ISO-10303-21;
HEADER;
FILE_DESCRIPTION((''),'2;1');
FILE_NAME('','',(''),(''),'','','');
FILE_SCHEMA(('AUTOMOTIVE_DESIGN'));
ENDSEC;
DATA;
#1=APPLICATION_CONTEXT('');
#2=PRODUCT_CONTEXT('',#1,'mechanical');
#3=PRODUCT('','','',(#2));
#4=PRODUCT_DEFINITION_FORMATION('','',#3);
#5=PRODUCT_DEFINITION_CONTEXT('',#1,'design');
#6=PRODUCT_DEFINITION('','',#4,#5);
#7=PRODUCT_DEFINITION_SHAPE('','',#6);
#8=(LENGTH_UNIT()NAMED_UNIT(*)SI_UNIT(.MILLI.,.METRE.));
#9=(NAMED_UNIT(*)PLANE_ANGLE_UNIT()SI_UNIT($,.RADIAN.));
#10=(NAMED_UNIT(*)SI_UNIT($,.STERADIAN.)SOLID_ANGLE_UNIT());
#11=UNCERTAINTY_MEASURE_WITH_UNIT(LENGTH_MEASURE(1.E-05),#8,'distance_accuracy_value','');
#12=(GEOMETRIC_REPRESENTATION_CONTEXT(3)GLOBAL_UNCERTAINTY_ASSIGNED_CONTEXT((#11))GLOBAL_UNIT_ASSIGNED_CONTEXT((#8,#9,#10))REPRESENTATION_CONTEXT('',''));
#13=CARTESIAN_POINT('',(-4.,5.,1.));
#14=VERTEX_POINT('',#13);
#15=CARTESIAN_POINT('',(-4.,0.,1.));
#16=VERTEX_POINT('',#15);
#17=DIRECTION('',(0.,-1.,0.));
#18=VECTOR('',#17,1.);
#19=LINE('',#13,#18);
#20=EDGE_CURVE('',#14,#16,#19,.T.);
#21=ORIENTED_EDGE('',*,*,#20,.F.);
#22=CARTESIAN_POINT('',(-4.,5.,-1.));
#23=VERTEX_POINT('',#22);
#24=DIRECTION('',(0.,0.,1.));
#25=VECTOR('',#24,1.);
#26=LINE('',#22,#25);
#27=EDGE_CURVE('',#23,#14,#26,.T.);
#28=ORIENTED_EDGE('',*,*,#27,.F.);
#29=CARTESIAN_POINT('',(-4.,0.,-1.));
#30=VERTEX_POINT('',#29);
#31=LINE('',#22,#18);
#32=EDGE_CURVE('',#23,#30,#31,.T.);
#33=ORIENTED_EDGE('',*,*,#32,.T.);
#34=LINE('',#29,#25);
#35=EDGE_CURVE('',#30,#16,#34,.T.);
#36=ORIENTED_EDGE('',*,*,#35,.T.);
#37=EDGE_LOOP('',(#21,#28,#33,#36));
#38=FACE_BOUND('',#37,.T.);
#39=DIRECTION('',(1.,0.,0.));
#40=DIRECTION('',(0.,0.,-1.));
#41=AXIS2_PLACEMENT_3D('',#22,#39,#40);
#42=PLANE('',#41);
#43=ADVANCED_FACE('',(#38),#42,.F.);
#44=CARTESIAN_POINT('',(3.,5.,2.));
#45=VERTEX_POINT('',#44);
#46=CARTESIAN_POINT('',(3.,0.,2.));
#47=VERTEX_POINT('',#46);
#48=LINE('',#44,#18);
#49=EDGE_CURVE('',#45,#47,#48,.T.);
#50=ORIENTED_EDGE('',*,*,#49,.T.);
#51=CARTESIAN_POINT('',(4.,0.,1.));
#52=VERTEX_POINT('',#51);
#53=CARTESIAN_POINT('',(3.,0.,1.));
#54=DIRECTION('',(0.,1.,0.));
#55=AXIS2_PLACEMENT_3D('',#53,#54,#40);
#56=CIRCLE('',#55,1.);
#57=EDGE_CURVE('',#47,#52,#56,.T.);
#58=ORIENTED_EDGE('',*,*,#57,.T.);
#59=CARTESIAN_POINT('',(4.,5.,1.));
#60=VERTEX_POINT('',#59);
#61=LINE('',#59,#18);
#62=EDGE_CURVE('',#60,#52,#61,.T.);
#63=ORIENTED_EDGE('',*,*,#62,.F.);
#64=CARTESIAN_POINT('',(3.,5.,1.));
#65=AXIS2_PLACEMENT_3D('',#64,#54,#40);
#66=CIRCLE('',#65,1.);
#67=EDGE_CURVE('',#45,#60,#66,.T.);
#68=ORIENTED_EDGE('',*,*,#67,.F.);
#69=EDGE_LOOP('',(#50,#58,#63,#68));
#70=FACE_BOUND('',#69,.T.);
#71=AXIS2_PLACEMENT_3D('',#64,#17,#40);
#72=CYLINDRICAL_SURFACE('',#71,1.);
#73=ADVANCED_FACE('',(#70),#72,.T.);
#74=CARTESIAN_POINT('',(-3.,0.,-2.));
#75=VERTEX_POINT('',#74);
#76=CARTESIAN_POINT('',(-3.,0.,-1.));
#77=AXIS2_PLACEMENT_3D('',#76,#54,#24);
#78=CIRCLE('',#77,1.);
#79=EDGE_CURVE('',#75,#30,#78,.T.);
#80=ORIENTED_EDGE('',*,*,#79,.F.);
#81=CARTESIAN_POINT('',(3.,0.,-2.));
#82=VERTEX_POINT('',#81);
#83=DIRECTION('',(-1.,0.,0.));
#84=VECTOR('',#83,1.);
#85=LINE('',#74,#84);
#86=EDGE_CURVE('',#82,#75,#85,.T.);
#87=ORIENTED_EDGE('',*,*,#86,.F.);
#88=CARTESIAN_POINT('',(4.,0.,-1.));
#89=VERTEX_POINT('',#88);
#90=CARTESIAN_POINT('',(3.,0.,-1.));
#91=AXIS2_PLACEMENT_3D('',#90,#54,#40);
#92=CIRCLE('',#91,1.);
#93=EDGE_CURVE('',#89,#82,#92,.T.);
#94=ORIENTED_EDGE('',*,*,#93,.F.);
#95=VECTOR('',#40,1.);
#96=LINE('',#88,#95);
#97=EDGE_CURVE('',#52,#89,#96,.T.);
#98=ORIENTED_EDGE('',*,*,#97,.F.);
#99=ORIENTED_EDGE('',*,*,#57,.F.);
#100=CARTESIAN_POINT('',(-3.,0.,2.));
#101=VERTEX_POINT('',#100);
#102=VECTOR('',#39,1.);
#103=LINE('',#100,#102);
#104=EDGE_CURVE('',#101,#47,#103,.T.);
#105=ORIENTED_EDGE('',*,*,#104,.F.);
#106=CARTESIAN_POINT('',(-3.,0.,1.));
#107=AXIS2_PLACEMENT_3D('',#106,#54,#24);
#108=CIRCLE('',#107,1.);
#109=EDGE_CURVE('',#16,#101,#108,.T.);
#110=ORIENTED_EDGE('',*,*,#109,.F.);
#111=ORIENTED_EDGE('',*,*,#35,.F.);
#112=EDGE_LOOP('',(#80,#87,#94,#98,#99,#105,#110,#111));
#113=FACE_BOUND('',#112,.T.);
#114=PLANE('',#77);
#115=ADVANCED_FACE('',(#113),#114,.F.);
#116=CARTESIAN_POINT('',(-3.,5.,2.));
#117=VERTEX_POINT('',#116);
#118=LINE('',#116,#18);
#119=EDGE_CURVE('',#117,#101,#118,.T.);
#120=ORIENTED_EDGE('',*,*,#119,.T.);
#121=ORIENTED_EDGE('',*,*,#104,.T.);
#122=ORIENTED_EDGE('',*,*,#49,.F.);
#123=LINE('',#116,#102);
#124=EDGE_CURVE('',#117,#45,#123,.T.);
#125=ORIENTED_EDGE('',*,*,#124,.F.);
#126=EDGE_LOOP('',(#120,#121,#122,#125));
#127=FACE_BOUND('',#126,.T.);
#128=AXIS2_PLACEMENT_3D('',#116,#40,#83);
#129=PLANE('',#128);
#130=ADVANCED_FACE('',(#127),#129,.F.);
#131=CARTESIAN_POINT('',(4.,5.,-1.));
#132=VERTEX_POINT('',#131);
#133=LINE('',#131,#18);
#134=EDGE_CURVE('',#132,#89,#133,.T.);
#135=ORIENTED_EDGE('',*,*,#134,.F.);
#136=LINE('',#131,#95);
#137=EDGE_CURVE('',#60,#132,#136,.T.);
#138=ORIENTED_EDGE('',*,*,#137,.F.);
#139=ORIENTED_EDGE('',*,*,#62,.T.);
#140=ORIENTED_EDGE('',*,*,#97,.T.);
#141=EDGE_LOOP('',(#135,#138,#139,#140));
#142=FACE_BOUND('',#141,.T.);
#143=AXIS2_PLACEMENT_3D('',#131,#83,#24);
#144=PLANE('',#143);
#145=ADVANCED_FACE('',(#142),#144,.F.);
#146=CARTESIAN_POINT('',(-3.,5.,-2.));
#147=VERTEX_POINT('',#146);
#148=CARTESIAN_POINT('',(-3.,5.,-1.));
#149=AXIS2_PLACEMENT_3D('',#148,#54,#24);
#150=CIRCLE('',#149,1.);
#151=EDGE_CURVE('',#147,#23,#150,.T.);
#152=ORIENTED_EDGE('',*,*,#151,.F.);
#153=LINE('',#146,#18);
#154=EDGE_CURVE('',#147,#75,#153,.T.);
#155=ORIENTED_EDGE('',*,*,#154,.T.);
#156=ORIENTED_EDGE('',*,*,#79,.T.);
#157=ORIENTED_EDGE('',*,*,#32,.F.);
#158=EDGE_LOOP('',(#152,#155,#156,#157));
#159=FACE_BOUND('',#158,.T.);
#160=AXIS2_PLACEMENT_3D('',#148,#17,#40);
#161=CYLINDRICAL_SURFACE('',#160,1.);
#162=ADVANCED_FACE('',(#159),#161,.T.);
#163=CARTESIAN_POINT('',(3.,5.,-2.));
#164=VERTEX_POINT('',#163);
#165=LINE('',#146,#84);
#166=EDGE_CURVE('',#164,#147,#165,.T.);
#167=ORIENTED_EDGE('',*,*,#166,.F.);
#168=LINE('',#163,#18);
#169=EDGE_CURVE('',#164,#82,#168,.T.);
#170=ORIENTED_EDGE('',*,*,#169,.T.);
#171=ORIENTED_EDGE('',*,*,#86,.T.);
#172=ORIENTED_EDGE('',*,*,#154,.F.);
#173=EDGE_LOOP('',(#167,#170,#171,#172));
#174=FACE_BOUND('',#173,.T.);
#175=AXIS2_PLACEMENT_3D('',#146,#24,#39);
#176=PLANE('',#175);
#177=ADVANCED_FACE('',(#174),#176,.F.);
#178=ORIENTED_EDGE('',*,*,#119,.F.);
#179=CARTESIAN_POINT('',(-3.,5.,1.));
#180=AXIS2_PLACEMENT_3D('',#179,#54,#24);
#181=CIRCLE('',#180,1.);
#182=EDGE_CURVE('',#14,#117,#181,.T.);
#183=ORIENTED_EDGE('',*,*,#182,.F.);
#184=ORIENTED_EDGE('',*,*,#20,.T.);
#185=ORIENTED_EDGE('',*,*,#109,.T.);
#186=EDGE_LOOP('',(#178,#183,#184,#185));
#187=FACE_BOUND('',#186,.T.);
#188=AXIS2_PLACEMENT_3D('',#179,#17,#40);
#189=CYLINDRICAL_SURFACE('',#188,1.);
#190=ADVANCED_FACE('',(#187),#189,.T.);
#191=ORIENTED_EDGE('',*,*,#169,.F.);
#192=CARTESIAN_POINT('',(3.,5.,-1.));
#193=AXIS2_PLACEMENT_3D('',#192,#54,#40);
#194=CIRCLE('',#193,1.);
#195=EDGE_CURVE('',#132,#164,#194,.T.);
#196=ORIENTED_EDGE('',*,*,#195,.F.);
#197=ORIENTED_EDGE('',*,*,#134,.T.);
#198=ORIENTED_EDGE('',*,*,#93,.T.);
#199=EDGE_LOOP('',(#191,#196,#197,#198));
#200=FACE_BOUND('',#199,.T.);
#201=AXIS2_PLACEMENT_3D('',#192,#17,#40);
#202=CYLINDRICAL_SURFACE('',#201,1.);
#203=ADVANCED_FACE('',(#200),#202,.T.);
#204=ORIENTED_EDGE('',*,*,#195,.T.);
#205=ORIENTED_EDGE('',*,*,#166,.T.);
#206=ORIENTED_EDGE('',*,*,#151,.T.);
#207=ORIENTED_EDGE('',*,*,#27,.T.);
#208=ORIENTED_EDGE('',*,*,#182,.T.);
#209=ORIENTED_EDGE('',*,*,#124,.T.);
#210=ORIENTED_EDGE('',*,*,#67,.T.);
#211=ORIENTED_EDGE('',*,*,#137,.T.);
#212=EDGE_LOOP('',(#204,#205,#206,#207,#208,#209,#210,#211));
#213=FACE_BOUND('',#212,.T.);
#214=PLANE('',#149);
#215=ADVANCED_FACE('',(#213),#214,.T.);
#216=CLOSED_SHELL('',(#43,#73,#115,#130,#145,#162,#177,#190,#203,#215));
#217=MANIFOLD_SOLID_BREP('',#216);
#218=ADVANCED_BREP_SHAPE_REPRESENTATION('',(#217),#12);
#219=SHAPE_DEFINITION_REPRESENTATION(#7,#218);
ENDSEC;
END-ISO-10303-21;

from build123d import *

# Parameters (mm, degrees)
BOSS_EXTRUDE1_DEPTH = 5


with BuildPart() as part:
    # Sketch1 → Boss-Extrude1 (new body)
    with BuildSketch(Plane(origin=(0, 0, 0), x_dir=(1, 0, 0), z_dir=(0, 1, 0))):
        with BuildLine():
            Line((-3, 2), (3, 2))
            ThreePointArc((3, 2), (3.707106781, 1.707106781), (4, 1))
            Line((4, 1), (4, -1))
            ThreePointArc((4, -1), (3.707106781, -1.707106781), (3, -2))
            Line((3, -2), (-3, -2))
            ThreePointArc((-3, -2), (-3.707106781, -1.707106781), (-4, -1))
            Line((-4, -1), (-4, 1))
            ThreePointArc((-4, 1), (-3.707106781, 1.707106781), (-3, 2))
        make_face()
    extrude(amount=BOSS_EXTRUDE1_DEPTH)


solid = part.part
